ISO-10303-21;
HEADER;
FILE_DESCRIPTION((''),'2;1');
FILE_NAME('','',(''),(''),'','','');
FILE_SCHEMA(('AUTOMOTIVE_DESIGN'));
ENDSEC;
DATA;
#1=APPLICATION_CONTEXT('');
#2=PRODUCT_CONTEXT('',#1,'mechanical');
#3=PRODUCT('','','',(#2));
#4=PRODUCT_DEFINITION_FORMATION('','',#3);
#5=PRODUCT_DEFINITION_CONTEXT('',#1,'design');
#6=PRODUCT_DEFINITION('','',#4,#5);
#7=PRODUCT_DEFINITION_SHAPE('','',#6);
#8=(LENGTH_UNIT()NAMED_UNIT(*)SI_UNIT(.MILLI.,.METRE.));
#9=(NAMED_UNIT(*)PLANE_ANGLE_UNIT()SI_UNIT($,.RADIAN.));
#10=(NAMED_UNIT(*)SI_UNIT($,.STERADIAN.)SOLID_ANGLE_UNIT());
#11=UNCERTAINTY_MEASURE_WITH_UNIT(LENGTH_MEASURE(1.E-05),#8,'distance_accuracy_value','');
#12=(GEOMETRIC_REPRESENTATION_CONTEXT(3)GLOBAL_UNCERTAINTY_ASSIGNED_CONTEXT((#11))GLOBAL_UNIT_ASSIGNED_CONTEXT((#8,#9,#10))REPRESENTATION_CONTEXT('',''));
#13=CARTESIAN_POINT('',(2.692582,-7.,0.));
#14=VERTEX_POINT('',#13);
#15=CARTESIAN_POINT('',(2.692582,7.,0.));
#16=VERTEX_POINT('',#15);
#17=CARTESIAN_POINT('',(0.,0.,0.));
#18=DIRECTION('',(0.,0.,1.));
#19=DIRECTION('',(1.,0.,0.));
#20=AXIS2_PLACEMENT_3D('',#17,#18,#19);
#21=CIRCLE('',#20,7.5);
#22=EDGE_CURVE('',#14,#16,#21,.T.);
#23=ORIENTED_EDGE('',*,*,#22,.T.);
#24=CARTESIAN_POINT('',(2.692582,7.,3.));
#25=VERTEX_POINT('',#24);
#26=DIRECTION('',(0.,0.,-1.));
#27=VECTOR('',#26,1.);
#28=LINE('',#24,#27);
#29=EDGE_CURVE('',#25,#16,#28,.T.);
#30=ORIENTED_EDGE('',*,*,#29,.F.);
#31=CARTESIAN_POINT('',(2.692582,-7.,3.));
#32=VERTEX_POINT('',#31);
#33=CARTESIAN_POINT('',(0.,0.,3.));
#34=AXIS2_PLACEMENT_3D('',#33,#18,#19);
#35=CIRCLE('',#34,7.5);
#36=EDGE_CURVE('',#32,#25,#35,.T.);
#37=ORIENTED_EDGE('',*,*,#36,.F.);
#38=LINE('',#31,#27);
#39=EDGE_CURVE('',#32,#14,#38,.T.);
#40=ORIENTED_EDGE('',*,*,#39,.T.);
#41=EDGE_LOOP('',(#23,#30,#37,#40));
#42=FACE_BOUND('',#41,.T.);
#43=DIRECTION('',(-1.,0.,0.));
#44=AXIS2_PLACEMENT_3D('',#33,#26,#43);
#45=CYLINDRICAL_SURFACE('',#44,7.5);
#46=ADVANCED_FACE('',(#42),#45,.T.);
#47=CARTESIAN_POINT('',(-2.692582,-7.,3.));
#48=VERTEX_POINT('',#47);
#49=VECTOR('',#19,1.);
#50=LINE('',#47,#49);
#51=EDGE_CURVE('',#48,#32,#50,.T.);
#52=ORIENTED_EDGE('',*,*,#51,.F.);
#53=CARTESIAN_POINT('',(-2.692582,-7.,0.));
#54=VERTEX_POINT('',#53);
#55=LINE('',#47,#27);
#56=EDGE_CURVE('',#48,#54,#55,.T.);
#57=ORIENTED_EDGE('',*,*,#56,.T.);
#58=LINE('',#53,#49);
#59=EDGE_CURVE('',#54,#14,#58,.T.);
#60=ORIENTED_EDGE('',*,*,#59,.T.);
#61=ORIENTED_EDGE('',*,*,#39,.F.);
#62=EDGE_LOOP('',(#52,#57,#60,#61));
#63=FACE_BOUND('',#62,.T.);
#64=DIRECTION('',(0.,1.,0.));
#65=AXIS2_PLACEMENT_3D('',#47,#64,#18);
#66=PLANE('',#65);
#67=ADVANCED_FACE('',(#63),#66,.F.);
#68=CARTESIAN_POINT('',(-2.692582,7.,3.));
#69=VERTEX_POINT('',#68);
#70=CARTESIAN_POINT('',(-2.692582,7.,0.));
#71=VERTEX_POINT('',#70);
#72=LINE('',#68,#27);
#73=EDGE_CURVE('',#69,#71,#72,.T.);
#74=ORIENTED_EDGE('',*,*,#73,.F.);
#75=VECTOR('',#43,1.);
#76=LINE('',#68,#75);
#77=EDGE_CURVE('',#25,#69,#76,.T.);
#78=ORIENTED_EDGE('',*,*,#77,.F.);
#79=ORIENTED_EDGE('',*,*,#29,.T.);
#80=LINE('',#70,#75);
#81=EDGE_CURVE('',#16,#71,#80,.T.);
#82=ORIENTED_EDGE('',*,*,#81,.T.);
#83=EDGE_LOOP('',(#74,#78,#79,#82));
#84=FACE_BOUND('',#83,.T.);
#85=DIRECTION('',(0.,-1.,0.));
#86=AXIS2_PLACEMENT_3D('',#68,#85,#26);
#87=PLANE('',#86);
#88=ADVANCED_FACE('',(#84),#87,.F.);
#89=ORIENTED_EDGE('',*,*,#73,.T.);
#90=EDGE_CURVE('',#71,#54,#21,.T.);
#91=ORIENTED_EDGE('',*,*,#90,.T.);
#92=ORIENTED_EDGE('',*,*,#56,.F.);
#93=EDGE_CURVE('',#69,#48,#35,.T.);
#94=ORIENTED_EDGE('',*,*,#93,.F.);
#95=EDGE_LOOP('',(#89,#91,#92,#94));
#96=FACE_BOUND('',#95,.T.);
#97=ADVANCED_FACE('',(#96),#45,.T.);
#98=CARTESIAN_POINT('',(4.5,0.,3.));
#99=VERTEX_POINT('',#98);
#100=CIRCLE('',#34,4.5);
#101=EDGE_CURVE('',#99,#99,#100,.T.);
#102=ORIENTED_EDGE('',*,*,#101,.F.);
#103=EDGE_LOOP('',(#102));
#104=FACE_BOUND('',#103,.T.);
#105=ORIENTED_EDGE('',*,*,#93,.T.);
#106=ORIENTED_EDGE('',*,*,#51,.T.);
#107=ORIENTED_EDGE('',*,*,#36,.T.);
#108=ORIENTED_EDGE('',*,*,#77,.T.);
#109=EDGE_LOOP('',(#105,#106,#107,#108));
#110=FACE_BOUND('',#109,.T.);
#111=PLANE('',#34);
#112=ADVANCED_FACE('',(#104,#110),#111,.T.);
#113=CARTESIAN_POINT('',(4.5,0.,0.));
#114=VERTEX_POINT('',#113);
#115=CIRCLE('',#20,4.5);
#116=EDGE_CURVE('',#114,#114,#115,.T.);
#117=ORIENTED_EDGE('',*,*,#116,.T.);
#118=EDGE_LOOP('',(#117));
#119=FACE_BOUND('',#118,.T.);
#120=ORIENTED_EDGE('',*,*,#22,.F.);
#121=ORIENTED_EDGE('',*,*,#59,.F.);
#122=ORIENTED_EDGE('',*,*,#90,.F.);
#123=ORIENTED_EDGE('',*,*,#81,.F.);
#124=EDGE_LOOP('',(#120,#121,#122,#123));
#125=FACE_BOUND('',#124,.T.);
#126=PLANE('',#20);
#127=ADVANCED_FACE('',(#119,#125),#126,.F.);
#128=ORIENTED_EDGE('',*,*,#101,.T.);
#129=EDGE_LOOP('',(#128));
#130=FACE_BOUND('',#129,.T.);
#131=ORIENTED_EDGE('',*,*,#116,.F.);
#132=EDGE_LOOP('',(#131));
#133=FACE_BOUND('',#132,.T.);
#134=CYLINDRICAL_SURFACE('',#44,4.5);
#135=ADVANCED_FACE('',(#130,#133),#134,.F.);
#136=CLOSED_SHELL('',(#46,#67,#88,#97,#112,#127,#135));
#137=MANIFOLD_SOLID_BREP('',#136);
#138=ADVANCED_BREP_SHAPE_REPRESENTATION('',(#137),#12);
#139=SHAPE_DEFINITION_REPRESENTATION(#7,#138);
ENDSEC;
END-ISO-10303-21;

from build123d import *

# Parameters (mm, degrees)
SKETCH_1_R      = 4.5
EXTRUDE_1_DEPTH = 3


with BuildPart() as part:
    # 草图1 → 凸台-拉伸1 (new body)
    with BuildSketch(Plane.XY):
        with BuildLine():
            Line((-2.692582404, 7), (2.692582404, 7))
            ThreePointArc((2.692582404, 7), (7.5, 0), (2.692582404, -7))
            Line((2.692582404, -7), (-2.692582404, -7))
            ThreePointArc((-2.692582404, -7), (-7.5, 0), (-2.692582404, 7))
        make_face()
        Circle(SKETCH_1_R, mode=Mode.SUBTRACT)
    extrude(amount=EXTRUDE_1_DEPTH)


solid = part.part
